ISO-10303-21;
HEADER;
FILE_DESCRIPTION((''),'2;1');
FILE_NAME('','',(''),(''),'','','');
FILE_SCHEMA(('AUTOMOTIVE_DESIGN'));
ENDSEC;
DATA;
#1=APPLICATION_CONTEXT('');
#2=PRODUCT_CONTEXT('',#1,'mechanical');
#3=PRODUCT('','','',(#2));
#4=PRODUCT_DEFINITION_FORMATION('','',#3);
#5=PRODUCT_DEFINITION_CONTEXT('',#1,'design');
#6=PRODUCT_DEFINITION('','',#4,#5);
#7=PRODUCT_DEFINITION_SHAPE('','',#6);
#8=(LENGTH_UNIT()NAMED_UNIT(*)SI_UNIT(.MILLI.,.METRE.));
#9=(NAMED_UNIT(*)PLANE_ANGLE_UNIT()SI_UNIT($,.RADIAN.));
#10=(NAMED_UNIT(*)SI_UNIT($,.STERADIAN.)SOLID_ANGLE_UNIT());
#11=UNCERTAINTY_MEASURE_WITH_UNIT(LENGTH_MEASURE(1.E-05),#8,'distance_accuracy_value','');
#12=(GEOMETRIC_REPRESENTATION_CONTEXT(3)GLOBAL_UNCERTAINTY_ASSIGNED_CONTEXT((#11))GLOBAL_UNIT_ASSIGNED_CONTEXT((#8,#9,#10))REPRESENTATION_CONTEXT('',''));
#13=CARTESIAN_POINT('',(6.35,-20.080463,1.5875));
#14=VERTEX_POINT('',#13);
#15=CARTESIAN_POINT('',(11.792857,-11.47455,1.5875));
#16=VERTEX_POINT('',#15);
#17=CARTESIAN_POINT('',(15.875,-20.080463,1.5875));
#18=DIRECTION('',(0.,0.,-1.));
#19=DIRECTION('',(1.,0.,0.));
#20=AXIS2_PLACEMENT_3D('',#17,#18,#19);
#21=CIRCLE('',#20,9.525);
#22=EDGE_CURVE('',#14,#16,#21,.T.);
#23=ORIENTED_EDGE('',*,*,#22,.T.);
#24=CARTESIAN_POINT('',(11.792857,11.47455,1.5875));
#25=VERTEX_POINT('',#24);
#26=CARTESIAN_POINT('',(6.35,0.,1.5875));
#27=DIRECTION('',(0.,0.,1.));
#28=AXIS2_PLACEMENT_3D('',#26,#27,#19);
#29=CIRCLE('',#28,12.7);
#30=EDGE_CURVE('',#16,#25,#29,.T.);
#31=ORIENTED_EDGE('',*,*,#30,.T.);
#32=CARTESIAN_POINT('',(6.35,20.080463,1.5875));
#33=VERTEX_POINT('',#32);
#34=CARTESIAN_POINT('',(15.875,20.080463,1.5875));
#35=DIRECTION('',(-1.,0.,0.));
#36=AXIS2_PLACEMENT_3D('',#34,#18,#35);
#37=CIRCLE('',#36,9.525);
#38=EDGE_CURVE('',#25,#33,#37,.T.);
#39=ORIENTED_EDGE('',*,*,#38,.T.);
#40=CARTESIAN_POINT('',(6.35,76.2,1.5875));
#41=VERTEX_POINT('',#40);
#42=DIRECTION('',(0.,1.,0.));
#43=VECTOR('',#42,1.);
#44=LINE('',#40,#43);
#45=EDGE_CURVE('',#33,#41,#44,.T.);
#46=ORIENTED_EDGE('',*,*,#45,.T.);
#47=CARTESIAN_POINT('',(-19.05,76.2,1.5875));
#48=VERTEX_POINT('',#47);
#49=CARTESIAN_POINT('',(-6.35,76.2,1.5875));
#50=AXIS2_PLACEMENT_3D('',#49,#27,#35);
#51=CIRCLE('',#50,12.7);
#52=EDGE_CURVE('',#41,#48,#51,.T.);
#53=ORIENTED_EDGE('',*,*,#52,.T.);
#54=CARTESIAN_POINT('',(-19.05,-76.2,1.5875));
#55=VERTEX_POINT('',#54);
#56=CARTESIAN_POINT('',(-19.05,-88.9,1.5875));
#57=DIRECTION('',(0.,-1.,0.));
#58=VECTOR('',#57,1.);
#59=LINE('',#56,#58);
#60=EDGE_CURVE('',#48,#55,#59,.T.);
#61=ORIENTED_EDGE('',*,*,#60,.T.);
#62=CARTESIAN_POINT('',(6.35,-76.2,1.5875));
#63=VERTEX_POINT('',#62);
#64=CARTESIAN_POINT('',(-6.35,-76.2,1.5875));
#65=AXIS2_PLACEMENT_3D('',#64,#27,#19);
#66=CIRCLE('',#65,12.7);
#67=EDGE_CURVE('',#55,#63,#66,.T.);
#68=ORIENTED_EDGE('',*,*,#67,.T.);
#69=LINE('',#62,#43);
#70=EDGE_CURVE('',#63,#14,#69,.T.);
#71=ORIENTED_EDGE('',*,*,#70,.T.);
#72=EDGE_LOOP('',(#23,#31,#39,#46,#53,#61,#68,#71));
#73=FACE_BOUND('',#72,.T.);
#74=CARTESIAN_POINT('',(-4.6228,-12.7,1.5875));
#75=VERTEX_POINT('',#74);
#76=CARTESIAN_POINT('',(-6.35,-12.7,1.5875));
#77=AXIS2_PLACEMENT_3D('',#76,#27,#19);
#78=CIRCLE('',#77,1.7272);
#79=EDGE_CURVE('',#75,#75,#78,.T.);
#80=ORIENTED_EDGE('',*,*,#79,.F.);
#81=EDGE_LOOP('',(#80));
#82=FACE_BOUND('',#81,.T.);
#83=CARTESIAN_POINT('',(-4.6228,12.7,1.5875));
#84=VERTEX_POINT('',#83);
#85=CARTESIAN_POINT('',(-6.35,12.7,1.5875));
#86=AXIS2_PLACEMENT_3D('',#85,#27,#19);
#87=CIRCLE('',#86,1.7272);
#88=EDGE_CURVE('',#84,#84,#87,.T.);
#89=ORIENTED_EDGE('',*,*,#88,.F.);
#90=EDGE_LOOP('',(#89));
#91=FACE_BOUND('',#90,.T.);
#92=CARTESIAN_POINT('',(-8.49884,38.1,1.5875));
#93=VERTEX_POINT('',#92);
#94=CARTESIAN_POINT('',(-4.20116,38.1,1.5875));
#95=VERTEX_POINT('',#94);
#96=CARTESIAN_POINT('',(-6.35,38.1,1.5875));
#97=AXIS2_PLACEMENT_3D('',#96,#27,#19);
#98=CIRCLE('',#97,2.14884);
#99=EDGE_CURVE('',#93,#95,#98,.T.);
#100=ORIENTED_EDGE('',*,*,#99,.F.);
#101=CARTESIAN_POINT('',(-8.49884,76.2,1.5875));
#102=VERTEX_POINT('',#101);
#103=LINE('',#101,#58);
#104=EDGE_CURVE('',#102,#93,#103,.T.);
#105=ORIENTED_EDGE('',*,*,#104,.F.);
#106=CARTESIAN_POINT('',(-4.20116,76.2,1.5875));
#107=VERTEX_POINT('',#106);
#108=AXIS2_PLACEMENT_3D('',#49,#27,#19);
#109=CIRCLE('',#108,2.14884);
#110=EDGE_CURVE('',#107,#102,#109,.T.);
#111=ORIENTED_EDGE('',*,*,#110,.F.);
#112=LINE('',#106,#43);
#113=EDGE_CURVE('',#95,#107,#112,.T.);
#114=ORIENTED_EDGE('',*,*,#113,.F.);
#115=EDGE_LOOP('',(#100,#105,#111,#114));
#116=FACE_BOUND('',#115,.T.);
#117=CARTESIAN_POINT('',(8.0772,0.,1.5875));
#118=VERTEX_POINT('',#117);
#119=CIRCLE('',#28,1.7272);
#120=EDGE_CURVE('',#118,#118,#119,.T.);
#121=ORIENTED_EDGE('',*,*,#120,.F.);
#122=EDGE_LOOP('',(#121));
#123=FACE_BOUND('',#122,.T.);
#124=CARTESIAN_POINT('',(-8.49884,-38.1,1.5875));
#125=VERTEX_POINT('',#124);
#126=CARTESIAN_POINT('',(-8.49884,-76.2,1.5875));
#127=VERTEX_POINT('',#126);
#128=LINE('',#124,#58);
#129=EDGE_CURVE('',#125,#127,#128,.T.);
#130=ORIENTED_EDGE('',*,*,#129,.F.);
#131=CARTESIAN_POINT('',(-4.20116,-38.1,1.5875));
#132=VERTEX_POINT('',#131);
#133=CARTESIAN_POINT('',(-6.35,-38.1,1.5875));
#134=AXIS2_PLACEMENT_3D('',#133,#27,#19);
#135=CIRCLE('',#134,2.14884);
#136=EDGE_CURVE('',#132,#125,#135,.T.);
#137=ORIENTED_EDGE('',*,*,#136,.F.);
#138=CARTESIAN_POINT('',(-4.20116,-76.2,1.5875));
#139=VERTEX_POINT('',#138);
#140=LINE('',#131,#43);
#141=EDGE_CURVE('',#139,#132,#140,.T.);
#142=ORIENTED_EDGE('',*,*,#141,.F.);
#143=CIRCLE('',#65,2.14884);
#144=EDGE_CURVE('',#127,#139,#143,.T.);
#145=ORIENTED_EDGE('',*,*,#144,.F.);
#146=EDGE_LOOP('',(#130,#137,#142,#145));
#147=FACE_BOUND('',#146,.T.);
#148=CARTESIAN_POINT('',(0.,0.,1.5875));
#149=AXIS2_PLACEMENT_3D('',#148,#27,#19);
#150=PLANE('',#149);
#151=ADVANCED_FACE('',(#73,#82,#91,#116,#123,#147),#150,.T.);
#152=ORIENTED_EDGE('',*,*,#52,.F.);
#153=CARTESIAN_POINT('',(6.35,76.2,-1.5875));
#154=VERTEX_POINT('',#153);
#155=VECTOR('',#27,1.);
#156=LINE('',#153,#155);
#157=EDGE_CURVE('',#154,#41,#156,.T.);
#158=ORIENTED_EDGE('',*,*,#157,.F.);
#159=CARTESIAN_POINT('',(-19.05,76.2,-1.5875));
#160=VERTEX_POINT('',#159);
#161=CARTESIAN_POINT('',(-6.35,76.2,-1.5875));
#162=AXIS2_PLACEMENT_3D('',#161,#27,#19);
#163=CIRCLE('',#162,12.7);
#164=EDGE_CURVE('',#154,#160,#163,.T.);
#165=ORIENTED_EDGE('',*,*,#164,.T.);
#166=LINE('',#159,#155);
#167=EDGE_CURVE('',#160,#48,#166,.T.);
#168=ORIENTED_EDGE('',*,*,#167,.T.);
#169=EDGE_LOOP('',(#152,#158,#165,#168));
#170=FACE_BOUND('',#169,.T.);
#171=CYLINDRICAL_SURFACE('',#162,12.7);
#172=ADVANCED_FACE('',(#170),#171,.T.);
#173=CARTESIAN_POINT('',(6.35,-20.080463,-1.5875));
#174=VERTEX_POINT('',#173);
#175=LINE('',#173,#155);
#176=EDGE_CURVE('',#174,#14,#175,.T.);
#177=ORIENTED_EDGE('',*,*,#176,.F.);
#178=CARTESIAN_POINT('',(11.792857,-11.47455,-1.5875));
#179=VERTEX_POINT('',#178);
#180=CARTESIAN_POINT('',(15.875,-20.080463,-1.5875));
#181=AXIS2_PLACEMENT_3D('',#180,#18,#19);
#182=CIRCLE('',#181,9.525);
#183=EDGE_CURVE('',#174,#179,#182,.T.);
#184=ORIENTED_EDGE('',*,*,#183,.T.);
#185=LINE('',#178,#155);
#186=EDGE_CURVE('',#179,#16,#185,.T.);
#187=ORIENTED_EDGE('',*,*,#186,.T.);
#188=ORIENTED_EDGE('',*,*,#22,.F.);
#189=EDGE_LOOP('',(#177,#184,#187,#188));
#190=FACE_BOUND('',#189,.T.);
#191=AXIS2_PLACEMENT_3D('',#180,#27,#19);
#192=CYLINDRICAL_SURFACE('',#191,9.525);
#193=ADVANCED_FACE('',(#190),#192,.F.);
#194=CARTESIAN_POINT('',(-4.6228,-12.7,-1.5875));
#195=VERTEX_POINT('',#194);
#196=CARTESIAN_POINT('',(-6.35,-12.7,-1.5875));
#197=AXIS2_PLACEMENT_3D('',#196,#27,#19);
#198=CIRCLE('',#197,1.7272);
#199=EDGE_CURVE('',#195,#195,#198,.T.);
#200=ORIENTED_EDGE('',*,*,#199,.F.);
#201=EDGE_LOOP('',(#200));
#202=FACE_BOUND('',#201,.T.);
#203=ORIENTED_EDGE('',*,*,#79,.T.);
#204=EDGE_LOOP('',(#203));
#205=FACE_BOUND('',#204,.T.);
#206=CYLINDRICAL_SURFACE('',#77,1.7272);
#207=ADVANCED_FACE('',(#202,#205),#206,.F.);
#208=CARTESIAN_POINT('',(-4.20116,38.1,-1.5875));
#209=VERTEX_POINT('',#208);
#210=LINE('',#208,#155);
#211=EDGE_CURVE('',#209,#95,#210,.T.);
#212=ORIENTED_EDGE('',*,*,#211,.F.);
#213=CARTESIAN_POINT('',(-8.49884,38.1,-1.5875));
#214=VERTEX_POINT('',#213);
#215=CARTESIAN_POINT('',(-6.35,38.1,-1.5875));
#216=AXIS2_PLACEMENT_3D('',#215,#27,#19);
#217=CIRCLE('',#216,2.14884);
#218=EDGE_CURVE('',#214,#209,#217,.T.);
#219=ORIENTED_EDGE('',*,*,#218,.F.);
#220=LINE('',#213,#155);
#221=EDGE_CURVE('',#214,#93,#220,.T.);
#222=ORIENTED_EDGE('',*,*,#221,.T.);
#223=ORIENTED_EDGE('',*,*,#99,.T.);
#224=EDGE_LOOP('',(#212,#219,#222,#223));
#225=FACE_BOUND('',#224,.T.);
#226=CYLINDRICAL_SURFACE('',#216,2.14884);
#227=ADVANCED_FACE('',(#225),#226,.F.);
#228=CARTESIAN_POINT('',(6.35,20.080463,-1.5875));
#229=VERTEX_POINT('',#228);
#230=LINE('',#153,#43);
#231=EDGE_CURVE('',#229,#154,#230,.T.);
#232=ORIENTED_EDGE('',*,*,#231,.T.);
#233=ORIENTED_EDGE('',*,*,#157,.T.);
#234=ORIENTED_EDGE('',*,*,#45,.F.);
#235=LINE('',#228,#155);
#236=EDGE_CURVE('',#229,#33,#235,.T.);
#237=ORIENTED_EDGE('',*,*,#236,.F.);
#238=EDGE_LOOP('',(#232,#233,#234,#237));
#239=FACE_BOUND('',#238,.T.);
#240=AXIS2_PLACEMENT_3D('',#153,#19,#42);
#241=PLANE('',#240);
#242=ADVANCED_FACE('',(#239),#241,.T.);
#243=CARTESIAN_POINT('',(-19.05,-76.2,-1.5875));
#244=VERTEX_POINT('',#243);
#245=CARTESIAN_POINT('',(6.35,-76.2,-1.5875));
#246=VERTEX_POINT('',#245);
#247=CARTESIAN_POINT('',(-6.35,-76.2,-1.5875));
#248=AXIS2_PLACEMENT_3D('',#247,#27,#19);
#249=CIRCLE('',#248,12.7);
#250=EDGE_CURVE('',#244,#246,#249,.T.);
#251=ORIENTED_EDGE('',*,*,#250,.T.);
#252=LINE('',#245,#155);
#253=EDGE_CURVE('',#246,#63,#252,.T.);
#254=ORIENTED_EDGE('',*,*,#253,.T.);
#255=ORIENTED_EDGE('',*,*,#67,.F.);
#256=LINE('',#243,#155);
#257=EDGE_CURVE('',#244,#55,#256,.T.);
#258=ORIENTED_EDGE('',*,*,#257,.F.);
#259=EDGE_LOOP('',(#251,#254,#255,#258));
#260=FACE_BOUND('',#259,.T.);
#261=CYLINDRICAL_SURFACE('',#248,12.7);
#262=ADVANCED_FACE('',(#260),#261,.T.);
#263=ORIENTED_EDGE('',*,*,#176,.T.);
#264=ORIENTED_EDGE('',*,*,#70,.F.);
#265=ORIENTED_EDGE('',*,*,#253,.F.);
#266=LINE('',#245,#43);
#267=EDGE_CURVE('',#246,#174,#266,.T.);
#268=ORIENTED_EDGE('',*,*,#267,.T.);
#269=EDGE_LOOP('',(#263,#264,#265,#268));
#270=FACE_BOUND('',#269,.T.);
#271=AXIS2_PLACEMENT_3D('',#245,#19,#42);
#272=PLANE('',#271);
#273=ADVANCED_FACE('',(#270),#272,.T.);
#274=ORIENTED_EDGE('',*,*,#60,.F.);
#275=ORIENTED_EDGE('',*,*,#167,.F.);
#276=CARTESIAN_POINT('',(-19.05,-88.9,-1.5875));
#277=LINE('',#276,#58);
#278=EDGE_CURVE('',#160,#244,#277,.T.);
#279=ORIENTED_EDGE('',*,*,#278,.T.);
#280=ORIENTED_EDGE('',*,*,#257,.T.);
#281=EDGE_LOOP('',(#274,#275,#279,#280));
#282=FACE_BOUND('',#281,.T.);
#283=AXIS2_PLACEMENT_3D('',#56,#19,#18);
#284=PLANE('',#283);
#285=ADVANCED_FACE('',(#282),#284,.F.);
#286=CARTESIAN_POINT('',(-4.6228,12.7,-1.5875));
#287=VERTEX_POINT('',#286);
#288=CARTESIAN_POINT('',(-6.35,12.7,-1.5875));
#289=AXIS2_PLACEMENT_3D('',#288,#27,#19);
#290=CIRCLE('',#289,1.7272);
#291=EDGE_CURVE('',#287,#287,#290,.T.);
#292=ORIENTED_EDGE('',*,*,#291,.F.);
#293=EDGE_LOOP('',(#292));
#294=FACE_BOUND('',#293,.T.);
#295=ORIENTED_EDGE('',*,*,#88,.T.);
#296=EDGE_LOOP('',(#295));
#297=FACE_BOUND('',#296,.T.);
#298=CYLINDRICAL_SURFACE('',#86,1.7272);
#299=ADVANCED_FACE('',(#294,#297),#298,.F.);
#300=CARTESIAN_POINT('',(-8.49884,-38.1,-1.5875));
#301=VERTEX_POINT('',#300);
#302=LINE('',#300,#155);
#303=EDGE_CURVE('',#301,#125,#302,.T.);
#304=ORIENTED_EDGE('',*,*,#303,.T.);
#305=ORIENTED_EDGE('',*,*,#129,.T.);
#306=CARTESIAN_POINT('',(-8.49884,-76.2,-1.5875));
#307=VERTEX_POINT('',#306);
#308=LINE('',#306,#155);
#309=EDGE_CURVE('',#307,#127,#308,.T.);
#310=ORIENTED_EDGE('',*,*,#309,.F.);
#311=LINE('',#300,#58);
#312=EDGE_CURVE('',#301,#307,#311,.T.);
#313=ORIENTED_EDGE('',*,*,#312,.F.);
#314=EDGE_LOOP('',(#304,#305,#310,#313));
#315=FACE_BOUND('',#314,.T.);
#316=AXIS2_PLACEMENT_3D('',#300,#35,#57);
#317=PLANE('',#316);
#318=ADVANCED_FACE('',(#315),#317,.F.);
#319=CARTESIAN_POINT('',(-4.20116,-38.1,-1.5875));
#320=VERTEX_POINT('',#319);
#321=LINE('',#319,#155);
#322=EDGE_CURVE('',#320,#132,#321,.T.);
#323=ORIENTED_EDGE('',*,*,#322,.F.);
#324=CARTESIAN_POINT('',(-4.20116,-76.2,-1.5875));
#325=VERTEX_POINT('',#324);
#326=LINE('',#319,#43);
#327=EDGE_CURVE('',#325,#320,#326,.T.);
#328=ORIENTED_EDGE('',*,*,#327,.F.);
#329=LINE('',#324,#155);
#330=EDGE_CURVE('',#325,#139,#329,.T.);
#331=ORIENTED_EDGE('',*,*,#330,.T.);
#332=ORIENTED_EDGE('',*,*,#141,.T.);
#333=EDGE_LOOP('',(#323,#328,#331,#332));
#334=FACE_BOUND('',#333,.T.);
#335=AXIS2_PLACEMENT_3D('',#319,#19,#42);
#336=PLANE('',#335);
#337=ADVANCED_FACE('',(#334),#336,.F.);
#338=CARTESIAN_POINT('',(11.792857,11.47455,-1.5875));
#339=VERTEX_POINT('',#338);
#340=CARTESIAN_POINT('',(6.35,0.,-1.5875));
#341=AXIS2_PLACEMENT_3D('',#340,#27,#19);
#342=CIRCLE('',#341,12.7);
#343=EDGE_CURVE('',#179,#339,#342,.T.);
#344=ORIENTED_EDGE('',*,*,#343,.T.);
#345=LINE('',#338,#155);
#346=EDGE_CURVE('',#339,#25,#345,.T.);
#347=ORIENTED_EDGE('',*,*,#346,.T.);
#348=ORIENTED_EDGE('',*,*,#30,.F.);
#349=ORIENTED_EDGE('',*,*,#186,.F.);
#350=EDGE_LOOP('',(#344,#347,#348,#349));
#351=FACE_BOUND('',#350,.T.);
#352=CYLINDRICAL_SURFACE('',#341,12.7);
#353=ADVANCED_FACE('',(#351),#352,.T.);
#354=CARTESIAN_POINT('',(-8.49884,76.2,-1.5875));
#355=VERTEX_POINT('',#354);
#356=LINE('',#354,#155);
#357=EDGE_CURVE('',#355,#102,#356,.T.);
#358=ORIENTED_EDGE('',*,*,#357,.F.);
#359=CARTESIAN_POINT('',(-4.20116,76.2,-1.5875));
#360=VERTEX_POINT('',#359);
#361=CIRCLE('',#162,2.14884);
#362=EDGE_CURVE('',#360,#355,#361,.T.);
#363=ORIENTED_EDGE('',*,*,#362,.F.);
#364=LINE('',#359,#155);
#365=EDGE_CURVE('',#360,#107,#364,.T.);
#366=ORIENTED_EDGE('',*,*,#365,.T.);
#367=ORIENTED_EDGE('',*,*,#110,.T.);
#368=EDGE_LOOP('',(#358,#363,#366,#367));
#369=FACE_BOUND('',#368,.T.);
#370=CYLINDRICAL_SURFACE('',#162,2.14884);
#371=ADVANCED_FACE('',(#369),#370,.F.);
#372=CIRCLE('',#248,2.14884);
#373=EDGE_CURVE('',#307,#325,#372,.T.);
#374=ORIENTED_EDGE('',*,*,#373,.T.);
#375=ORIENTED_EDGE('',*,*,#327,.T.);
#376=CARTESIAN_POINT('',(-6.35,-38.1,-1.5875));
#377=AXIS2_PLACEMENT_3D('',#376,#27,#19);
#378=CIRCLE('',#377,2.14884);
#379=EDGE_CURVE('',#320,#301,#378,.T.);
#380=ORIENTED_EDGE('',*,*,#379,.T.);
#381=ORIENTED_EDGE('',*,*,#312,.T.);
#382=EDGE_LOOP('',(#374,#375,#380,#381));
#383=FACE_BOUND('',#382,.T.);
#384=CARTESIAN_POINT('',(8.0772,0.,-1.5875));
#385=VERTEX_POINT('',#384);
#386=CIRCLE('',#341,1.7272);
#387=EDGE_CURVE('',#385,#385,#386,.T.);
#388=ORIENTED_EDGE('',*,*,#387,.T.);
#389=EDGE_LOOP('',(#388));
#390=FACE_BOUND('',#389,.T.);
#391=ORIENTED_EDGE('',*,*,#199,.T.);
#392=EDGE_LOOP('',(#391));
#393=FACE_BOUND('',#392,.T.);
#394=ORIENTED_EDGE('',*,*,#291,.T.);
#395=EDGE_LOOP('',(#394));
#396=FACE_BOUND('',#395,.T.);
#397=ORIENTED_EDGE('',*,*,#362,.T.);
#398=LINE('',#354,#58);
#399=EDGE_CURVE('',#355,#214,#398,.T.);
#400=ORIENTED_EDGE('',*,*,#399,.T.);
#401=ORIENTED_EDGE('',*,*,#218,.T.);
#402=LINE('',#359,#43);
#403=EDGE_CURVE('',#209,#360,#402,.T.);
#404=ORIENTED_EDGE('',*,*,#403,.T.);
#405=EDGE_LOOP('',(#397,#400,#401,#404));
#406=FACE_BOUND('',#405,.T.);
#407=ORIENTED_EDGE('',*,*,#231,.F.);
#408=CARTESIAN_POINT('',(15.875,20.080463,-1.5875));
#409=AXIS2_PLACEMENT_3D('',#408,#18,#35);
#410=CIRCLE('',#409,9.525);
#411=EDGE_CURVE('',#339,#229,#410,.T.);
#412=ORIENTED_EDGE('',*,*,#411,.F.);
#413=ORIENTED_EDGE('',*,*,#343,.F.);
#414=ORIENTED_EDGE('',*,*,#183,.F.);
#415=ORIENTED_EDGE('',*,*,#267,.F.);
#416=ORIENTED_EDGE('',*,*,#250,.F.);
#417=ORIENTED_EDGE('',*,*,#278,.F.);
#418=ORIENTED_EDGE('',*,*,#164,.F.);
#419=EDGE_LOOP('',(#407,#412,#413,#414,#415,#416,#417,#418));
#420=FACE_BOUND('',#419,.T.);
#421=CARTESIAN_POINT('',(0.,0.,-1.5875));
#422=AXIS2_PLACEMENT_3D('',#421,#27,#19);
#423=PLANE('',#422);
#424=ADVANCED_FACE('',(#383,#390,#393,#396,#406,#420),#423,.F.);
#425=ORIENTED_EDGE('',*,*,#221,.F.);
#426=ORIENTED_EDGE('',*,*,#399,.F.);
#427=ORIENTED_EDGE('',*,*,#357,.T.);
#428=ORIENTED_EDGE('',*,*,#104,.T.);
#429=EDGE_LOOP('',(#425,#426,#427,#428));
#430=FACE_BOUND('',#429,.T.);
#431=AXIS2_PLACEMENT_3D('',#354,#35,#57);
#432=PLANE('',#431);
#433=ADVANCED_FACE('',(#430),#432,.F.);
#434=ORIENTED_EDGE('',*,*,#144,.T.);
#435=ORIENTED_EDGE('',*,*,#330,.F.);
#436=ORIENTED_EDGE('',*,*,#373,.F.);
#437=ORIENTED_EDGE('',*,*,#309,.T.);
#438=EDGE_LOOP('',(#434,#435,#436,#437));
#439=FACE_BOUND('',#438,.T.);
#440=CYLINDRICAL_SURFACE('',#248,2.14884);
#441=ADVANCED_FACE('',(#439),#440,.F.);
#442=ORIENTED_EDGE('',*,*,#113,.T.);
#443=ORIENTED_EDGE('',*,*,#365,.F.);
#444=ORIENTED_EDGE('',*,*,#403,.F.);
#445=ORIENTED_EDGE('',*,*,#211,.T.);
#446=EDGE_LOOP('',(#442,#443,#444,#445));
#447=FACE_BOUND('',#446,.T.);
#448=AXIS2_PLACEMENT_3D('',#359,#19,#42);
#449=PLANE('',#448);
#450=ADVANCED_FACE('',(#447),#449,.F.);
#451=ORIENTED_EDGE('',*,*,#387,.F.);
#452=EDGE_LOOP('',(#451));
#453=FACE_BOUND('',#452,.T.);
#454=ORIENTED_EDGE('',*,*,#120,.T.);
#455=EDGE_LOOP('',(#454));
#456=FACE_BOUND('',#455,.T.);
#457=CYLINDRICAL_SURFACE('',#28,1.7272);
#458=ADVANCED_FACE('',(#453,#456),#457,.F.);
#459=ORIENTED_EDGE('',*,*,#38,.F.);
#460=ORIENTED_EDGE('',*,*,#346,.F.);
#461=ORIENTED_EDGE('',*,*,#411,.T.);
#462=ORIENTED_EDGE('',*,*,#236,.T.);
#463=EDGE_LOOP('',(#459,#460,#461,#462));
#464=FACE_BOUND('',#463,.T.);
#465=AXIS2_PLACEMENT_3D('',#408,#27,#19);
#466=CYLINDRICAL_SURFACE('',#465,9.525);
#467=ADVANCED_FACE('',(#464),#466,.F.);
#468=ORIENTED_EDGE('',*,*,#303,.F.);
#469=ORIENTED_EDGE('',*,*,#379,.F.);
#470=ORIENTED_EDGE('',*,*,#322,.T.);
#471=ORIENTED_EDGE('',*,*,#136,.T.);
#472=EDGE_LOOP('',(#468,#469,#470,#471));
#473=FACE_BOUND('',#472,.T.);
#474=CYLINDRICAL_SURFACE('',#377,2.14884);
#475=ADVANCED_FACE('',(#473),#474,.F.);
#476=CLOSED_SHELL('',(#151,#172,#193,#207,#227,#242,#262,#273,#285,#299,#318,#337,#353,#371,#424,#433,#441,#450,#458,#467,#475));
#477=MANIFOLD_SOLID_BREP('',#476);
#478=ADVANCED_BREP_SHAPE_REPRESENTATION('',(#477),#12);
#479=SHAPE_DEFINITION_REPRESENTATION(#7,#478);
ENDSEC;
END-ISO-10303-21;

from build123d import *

# Parameters (mm, degrees)
SKETCH1_W             = 38.1
SKETCH1_H             = 177.8
BOSS_EXTRUDE1_DEPTH   = 1.5875
F_8_32_TAPPED_HOLE1_D = 3.4544
CUT_EXTRUDE1_DEPTH    = 91.973584765
SKETCH5_OUTSIDE_W     = 76.472
SKETCH5_OUTSIDE_H     = 216.172
CUT_EXTRUDE2_DEPTH    = 91.973584765


with BuildPart() as part:
    # Sketch1 → Boss-Extrude1 (new, symmetric)
    with BuildSketch(Plane.XY):
        Rectangle(SKETCH1_W, SKETCH1_H)
    extrude(amount=BOSS_EXTRUDE1_DEPTH, both=True)

    # #8-32 Tapped Hole1 (through all)
    with Locations(Plane.XY.offset(1.5875)):
        with Locations((-6.35, 12.7), (-6.35, -12.7), (6.35, 0)):
            Hole(F_8_32_TAPPED_HOLE1_D / 2)

    # Sketch4 → Cut-Extrude1 (cut, through all)
    with BuildSketch(Plane.XY.offset(1.5875)):
        with BuildLine():
            Line((-4.20116, 76.2), (-4.20116, 38.1))
            ThreePointArc((-4.20116, 38.1), (-6.35, 35.95116), (-8.49884, 38.1))
            Line((-8.49884, 38.1), (-8.49884, 76.2))
            ThreePointArc((-8.49884, 76.2), (-6.35, 78.34884), (-4.20116, 76.2))
        make_face()
        with BuildLine():
            Line((-4.20116, -38.1), (-4.20116, -76.2))
            ThreePointArc((-4.20116, -76.2), (-6.35, -78.34884), (-8.49884, -76.2))
            Line((-8.49884, -76.2), (-8.49884, -38.1))
            ThreePointArc((-8.49884, -38.1), (-6.35, -35.95116), (-4.20116, -38.1))
        make_face()
    extrude(amount=-CUT_EXTRUDE1_DEPTH, mode=Mode.SUBTRACT)

    # Sketch5 outside → Cut-Extrude2 (cut, through all)
    with BuildSketch(Plane.XY.offset(1.5875)):
        Rectangle(SKETCH5_OUTSIDE_W, SKETCH5_OUTSIDE_H)
        with BuildLine():
            Line((6.35, 76.2), (6.35, 20.080463142))
            ThreePointArc((6.35, 20.080463142), (7.824905724, 14.989136484), (11.792857143, 11.474550367))
            ThreePointArc((11.792857143, 11.474550367), (19.05, 0), (11.792857143, -11.474550367))
            ThreePointArc((11.792857143, -11.474550367), (7.824905724, -14.989136484), (6.35, -20.080463142))
            Line((6.35, -20.080463142), (6.35, -76.2))
            ThreePointArc((6.35, -76.2), (-6.35, -88.9), (-19.05, -76.2))
            Line((-19.05, -76.2), (-19.05, 76.2))
            ThreePointArc((-19.05, 76.2), (-6.35, 88.9), (6.35, 76.2))
        make_face(mode=Mode.SUBTRACT)
    extrude(amount=-CUT_EXTRUDE2_DEPTH, mode=Mode.SUBTRACT)


solid = part.part
